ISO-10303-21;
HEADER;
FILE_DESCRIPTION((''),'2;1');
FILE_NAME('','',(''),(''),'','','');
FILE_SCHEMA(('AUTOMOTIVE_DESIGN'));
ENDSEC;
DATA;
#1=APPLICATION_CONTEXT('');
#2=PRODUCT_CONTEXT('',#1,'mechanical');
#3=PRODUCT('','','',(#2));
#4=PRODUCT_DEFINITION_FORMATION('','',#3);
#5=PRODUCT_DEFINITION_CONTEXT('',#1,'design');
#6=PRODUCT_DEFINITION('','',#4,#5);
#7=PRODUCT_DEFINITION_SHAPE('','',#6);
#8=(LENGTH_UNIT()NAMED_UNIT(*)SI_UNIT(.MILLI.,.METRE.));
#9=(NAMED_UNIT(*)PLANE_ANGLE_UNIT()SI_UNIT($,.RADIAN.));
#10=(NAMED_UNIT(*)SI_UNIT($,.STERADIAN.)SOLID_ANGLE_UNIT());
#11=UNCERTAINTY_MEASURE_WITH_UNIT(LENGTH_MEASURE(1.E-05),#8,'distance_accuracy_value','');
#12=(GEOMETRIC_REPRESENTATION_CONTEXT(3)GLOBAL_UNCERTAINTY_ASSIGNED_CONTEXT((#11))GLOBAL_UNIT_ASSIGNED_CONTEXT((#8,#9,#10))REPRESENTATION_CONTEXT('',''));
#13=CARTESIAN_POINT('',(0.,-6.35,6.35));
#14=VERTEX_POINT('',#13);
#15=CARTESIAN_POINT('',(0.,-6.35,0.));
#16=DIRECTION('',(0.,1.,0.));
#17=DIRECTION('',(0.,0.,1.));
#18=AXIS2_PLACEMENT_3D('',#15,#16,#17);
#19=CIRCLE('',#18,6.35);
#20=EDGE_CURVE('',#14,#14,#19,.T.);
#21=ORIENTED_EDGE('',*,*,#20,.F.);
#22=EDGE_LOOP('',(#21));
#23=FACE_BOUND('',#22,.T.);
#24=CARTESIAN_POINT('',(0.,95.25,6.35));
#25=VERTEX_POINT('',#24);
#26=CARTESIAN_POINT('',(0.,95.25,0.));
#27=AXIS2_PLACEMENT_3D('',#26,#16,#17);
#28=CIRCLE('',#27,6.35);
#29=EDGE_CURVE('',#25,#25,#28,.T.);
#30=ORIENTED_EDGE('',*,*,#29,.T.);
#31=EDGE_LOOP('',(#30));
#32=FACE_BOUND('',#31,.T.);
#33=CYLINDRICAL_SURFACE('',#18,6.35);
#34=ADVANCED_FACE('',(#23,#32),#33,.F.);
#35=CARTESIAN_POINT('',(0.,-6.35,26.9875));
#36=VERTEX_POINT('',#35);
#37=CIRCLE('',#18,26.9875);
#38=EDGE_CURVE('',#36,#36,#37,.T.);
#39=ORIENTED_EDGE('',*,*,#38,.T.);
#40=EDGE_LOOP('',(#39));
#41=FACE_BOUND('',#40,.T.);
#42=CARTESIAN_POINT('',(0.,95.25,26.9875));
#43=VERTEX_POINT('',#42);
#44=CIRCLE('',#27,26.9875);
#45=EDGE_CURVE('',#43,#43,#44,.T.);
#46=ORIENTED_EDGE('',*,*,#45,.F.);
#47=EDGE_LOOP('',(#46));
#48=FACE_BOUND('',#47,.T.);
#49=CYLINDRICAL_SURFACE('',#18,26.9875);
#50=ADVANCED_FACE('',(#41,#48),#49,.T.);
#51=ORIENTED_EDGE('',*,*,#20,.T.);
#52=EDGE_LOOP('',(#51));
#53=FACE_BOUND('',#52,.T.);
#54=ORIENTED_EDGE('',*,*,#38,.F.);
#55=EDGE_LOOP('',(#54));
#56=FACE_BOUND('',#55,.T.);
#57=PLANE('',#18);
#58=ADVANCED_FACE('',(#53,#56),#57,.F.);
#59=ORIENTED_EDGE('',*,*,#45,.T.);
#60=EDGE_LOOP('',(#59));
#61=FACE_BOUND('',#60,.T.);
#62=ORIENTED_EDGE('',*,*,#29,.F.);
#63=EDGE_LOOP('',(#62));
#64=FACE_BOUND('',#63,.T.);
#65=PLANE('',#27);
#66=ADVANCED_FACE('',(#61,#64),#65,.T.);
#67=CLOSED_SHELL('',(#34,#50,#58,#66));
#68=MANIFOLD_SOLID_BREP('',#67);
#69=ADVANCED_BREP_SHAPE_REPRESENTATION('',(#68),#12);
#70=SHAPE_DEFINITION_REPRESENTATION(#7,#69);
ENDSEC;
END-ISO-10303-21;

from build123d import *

# Parameters (mm, degrees)
SKETCH1_R                = 26.9875
SKETCH1_R_2              = 6.35
BOSS_EXTRUDE1_DEPTH      = 95.25
BOSS_EXTRUDE1_DEPTH_BACK = 6.35


with BuildPart() as part:
    # Sketch1 → Boss-Extrude1 (new body, two sides)
    with BuildSketch(Plane(origin=(0, 0, 0), x_dir=(1, 0, 0), z_dir=(0, 1, 0))) as boss_extrude1_sk:
        Circle(SKETCH1_R)
        Circle(SKETCH1_R_2, mode=Mode.SUBTRACT)
    extrude(amount=BOSS_EXTRUDE1_DEPTH)
    extrude(boss_extrude1_sk.sketch, amount=-BOSS_EXTRUDE1_DEPTH_BACK)


solid = part.part
